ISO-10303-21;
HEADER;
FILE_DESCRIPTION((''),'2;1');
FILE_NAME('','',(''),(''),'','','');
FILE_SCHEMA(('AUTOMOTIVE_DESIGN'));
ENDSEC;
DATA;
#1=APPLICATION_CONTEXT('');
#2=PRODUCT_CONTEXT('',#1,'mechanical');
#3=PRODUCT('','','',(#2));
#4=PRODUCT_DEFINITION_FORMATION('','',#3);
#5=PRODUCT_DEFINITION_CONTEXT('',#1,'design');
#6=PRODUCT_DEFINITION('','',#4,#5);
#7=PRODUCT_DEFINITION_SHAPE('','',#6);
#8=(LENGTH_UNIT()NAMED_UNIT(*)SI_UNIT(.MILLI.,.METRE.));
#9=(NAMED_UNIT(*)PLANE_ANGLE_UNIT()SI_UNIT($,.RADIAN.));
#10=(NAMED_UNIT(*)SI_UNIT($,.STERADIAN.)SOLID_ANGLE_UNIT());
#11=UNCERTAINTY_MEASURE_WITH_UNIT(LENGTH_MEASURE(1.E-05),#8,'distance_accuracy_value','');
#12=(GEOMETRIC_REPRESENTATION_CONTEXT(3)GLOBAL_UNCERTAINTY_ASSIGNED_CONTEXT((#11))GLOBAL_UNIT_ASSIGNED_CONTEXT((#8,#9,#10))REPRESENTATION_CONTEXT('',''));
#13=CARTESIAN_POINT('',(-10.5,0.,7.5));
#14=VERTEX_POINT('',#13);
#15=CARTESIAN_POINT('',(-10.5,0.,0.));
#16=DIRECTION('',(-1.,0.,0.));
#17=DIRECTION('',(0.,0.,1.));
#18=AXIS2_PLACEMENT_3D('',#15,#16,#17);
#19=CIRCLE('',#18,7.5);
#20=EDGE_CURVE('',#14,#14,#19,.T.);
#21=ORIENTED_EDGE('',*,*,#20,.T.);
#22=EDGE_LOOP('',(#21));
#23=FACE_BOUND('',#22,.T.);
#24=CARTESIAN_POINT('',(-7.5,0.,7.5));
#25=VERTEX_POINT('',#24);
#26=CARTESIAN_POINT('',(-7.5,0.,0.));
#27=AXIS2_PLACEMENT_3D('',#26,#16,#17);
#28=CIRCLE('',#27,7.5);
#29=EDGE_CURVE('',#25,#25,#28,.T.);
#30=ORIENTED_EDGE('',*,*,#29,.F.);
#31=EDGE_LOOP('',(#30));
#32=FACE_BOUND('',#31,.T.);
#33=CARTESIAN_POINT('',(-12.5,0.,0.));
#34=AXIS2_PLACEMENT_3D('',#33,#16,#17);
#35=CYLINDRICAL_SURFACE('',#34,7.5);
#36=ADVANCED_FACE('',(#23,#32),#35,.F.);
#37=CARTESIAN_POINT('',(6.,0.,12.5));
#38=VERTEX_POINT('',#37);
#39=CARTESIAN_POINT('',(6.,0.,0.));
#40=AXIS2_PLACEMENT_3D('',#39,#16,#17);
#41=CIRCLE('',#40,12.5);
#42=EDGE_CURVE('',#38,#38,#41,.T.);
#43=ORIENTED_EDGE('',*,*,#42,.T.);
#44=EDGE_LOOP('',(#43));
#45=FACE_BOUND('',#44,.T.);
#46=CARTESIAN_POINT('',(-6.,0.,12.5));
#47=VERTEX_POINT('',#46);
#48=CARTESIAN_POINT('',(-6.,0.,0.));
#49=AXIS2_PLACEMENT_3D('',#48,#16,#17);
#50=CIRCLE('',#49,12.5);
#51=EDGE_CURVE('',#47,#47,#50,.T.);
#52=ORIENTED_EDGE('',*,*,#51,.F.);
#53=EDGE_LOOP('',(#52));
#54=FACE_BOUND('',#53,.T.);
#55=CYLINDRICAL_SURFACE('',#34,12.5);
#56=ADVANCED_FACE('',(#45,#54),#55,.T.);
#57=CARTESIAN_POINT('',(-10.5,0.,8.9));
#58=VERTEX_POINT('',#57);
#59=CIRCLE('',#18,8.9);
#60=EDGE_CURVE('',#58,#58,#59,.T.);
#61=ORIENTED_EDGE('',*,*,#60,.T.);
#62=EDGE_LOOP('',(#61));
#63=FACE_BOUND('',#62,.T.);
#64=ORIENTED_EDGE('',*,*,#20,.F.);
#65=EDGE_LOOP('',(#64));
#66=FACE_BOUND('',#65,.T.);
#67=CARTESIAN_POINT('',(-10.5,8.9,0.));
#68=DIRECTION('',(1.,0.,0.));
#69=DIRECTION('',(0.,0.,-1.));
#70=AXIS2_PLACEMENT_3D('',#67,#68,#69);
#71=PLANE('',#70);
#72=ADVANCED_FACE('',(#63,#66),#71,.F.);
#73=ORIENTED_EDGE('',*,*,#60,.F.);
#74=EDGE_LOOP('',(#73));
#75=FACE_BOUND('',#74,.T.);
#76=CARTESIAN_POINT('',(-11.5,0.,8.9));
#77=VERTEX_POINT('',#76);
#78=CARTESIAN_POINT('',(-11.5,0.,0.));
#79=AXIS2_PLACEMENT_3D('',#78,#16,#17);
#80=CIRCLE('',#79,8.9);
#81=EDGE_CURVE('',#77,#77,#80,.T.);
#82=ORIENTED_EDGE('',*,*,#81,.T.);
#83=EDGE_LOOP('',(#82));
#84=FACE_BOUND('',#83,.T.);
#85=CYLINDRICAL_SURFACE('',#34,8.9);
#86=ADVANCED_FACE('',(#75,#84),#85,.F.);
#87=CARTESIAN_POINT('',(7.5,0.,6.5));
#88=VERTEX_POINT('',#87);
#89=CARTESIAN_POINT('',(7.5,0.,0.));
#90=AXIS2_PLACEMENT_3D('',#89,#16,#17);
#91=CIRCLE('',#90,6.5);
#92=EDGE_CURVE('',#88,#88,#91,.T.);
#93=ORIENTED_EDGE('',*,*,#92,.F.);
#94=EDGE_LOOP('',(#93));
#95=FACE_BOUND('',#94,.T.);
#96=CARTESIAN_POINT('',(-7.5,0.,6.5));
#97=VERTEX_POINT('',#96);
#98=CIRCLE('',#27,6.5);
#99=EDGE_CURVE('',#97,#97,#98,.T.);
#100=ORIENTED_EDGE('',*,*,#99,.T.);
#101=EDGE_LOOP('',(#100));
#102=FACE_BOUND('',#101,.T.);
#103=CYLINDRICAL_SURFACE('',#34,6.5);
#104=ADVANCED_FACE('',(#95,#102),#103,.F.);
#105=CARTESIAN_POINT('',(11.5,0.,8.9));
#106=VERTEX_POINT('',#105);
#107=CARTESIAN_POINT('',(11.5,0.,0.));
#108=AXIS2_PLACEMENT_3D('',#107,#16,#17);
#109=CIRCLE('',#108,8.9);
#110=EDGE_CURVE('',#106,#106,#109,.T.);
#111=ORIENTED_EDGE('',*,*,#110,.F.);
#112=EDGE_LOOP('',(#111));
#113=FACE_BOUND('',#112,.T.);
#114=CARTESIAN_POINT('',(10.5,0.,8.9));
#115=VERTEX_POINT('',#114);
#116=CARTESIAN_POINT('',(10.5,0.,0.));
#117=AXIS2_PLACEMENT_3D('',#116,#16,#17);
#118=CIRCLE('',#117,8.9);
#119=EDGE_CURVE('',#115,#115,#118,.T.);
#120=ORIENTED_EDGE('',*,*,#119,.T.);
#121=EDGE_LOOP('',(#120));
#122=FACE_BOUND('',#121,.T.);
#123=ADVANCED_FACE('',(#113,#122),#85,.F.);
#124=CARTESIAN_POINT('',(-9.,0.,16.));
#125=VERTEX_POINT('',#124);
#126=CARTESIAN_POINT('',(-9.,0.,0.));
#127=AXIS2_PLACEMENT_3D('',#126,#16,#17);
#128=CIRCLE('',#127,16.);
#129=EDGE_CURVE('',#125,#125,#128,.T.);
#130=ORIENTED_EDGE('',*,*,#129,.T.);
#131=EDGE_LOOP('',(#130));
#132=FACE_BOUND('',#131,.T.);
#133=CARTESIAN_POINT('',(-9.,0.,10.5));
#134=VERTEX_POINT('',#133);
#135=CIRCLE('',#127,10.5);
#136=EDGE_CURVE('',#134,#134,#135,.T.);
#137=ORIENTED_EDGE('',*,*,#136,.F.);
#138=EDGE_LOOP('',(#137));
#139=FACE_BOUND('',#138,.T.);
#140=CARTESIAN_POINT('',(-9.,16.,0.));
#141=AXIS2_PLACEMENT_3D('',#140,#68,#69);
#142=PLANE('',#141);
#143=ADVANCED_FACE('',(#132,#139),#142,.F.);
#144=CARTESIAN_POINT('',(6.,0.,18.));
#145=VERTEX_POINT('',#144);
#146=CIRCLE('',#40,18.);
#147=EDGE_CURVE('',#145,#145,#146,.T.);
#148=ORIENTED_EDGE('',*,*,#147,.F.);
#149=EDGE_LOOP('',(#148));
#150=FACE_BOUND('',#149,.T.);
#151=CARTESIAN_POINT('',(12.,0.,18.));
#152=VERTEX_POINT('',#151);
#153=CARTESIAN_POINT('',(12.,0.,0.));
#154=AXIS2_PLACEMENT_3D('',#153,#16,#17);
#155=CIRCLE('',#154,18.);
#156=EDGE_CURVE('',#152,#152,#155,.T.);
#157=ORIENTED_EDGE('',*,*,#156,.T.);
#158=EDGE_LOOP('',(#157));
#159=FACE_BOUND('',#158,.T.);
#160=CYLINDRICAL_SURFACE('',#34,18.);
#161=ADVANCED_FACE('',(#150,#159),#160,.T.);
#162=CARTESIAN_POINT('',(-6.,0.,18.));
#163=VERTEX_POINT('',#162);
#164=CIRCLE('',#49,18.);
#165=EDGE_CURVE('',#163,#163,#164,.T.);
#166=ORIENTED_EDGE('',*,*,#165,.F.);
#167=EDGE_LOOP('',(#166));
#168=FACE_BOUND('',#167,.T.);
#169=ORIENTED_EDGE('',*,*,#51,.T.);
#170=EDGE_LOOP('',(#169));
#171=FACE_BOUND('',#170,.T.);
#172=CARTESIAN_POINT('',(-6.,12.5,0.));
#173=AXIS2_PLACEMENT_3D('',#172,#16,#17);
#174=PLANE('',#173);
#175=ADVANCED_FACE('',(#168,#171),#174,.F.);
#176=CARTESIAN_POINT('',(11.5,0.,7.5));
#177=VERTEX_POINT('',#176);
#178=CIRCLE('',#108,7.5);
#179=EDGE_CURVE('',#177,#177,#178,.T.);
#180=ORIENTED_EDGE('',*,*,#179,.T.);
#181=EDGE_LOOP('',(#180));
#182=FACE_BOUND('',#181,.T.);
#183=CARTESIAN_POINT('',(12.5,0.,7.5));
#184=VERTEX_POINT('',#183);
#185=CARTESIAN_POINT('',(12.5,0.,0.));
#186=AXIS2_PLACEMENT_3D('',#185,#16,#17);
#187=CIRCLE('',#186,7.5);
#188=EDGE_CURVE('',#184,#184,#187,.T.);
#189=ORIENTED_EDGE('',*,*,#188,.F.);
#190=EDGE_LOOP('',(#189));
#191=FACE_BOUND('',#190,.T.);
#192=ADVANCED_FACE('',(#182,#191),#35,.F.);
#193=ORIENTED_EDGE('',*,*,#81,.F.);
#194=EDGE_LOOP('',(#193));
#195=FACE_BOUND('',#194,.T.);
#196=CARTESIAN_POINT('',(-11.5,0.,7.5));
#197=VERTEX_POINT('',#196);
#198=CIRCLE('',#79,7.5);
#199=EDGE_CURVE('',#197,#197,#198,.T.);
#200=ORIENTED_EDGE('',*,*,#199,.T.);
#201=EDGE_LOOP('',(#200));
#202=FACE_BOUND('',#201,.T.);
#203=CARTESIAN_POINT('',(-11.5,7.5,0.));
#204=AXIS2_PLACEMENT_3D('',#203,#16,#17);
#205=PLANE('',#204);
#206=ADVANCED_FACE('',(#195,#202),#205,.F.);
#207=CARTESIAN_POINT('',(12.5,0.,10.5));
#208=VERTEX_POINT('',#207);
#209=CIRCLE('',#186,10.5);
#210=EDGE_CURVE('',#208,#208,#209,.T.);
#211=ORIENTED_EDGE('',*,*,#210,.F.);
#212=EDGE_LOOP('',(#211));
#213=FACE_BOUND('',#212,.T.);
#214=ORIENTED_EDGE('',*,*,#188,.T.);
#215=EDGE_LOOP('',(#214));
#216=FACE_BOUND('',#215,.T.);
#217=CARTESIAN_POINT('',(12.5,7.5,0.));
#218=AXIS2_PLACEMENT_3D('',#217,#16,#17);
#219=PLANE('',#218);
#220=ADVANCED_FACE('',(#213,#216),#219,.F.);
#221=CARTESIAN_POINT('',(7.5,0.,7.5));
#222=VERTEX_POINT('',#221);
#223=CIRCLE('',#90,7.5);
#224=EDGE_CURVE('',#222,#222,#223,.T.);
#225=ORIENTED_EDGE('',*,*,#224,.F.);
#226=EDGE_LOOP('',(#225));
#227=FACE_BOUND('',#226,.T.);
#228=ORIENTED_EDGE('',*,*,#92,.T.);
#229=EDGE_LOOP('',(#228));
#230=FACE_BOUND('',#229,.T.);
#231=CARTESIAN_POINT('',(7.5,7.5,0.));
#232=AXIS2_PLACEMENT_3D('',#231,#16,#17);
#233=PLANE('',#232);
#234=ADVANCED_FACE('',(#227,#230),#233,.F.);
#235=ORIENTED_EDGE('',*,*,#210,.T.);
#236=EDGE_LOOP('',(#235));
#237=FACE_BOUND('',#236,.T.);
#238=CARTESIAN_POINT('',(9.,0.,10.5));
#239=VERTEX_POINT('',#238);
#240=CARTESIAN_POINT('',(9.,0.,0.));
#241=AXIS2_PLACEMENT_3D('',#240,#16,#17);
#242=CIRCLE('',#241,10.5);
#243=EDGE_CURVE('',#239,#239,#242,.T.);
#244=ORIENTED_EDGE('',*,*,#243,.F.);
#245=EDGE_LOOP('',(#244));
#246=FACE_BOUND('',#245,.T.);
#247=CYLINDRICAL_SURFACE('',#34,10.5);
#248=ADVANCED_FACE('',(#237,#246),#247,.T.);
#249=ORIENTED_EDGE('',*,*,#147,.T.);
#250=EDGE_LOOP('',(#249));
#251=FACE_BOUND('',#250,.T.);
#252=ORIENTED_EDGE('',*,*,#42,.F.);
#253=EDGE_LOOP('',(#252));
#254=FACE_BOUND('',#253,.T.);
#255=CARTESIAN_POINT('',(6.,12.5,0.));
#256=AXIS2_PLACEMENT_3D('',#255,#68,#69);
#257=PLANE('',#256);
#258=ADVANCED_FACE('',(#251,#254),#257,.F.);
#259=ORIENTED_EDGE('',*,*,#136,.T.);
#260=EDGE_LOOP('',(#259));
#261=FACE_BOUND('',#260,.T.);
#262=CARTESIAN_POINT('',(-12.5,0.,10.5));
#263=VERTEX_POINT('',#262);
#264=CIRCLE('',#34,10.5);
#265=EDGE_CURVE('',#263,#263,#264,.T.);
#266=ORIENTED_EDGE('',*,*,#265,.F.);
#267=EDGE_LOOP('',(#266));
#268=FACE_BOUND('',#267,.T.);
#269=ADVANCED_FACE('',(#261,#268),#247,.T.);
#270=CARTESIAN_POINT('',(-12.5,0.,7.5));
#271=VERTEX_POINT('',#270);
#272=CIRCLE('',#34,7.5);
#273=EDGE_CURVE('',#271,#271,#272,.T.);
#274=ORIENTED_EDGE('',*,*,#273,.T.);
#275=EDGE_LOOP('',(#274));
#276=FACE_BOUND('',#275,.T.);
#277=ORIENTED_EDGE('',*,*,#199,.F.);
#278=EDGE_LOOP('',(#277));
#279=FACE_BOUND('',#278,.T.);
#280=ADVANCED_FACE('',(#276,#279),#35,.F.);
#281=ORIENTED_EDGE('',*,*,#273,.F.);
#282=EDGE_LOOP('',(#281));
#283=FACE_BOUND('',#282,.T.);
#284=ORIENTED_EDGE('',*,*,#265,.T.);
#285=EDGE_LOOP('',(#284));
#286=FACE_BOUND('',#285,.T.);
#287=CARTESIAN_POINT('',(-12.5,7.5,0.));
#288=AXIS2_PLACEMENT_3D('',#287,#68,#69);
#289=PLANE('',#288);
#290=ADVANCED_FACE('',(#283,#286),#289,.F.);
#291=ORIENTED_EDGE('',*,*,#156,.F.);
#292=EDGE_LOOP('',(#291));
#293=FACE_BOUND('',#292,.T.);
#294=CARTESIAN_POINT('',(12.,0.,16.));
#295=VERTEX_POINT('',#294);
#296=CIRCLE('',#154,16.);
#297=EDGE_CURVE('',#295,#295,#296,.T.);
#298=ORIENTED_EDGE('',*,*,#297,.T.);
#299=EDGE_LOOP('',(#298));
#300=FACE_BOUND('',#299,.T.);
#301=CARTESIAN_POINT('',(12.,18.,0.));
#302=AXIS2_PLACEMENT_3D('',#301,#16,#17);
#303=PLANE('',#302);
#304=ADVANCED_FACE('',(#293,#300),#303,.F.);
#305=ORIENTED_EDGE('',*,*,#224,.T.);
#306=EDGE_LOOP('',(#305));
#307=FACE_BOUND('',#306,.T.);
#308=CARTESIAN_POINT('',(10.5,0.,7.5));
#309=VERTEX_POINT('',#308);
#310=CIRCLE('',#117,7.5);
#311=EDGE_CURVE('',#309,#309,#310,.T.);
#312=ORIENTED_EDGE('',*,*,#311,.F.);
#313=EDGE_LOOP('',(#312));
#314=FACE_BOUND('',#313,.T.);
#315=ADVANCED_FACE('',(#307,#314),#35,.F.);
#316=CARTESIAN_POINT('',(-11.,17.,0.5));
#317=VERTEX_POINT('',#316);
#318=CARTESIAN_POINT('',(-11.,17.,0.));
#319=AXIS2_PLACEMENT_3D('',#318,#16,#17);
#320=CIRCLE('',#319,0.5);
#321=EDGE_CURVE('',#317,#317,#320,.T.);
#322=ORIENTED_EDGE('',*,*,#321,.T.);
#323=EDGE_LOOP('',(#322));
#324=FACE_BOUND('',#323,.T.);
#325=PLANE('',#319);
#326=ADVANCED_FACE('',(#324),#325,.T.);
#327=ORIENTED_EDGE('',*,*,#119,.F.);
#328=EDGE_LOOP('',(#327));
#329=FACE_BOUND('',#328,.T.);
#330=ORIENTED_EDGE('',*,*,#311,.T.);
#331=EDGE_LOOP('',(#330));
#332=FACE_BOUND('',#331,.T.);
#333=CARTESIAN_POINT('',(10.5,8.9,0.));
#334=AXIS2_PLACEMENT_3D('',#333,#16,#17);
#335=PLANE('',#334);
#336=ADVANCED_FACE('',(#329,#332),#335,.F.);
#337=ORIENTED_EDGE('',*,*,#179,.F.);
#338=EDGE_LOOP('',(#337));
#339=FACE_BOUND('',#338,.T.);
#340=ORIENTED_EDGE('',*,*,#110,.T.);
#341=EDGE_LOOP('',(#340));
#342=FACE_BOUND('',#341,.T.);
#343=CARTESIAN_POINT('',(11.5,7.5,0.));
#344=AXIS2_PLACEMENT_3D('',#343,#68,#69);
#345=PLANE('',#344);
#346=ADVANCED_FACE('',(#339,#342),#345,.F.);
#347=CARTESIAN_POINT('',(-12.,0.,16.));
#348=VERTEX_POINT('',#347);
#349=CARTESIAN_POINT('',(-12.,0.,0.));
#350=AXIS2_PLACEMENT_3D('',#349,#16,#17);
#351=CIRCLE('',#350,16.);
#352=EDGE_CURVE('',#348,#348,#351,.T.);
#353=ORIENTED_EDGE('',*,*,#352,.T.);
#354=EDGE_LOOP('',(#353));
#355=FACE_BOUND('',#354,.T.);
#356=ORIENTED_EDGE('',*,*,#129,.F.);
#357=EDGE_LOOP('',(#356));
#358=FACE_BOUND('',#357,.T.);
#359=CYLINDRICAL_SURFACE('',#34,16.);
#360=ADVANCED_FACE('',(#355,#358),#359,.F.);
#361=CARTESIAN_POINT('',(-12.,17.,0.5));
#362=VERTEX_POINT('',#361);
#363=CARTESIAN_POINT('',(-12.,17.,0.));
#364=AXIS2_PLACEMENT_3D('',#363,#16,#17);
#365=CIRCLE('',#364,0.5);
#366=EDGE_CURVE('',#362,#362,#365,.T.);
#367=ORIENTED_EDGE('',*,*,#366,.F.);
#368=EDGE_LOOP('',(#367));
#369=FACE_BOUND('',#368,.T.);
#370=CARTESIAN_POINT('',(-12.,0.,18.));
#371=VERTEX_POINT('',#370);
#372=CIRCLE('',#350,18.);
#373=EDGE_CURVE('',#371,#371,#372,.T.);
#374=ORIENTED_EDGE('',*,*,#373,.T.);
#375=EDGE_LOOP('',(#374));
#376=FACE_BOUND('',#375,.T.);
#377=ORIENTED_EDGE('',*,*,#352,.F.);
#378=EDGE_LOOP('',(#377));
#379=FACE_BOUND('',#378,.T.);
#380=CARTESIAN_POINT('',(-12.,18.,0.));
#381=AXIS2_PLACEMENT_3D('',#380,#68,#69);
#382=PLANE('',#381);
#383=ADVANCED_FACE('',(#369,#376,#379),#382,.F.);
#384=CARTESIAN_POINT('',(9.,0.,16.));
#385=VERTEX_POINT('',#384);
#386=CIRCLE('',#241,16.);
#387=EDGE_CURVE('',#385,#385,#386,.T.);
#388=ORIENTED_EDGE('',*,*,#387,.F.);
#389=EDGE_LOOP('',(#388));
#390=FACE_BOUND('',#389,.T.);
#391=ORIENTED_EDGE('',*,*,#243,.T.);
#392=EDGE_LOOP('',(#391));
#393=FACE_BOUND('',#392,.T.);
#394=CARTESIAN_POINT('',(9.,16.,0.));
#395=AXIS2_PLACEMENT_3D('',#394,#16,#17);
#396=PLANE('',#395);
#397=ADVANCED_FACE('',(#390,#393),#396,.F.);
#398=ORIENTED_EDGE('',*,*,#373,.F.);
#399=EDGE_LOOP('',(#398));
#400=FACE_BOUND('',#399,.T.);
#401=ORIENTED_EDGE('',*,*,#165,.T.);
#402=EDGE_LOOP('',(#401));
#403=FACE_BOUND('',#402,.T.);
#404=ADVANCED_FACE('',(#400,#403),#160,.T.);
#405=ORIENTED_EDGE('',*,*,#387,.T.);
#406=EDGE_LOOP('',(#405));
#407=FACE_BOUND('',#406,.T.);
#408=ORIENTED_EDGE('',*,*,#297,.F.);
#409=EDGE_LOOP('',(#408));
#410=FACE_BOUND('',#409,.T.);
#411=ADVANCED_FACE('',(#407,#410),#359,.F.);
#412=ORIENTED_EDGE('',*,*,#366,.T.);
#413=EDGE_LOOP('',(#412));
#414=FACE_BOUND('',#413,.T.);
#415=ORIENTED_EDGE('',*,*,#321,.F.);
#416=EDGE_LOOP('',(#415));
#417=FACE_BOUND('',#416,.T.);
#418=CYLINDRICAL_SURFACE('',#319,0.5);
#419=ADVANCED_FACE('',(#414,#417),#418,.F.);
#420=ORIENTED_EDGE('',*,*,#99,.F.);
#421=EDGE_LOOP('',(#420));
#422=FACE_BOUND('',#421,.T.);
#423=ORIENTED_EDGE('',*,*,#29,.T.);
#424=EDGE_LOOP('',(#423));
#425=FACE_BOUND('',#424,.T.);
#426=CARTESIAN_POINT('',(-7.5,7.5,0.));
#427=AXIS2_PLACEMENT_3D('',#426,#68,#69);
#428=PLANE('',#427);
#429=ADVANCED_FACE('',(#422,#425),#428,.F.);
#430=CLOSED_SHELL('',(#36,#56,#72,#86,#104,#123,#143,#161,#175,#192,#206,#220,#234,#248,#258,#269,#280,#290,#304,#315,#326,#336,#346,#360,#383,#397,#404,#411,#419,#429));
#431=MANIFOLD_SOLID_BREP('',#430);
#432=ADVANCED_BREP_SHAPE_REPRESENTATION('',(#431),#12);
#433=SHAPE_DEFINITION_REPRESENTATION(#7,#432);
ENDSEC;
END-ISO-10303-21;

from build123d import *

# Parameters (mm, degrees)
SZKIC2_R                   = 0.5
WYTNIJ_WYCI_GNI_CIE1_DEPTH = 1


with BuildPart() as part:
    # Szkic1 → Obrót1 (revolve)
    with BuildSketch(Plane.XY, mode=Mode.PRIVATE) as obr_t1_sk:
        Polygon((-6, 12.5), (6, 12.5), (6, 18), (12, 18), (12, 16), (9, 16), (9, 10.5), (12.5, 10.5), (12.5, 7.5), (11.5, 7.5), (11.5, 8.9), (10.5, 8.9), (10.5, 7.5), (7.5, 7.5), (7.5, 6.5), (-7.5, 6.5), (-7.5, 7.5), (-10.5, 7.5), (-10.5, 8.9), (-11.5, 8.9), (-11.5, 7.5), (-12.5, 7.5), (-12.5, 10.5), (-9, 10.5), (-9, 16), (-12, 16), (-12, 18), (-6, 18), align=None)
    revolve(obr_t1_sk.sketch.rotate(Axis((-12.5, 0, 0), (1, 0, 0)), 90), axis=Axis((-12.5, 0, 0), (1, 0, 0)))

    # Szkic2 → Wytnij-wyciągnięcie1 (cut)
    with BuildSketch(Plane.ZY.offset(12)):
        with Locations((0, 17)):
            Circle(SZKIC2_R)
    extrude(amount=-WYTNIJ_WYCI_GNI_CIE1_DEPTH, mode=Mode.SUBTRACT)


solid = part.part
